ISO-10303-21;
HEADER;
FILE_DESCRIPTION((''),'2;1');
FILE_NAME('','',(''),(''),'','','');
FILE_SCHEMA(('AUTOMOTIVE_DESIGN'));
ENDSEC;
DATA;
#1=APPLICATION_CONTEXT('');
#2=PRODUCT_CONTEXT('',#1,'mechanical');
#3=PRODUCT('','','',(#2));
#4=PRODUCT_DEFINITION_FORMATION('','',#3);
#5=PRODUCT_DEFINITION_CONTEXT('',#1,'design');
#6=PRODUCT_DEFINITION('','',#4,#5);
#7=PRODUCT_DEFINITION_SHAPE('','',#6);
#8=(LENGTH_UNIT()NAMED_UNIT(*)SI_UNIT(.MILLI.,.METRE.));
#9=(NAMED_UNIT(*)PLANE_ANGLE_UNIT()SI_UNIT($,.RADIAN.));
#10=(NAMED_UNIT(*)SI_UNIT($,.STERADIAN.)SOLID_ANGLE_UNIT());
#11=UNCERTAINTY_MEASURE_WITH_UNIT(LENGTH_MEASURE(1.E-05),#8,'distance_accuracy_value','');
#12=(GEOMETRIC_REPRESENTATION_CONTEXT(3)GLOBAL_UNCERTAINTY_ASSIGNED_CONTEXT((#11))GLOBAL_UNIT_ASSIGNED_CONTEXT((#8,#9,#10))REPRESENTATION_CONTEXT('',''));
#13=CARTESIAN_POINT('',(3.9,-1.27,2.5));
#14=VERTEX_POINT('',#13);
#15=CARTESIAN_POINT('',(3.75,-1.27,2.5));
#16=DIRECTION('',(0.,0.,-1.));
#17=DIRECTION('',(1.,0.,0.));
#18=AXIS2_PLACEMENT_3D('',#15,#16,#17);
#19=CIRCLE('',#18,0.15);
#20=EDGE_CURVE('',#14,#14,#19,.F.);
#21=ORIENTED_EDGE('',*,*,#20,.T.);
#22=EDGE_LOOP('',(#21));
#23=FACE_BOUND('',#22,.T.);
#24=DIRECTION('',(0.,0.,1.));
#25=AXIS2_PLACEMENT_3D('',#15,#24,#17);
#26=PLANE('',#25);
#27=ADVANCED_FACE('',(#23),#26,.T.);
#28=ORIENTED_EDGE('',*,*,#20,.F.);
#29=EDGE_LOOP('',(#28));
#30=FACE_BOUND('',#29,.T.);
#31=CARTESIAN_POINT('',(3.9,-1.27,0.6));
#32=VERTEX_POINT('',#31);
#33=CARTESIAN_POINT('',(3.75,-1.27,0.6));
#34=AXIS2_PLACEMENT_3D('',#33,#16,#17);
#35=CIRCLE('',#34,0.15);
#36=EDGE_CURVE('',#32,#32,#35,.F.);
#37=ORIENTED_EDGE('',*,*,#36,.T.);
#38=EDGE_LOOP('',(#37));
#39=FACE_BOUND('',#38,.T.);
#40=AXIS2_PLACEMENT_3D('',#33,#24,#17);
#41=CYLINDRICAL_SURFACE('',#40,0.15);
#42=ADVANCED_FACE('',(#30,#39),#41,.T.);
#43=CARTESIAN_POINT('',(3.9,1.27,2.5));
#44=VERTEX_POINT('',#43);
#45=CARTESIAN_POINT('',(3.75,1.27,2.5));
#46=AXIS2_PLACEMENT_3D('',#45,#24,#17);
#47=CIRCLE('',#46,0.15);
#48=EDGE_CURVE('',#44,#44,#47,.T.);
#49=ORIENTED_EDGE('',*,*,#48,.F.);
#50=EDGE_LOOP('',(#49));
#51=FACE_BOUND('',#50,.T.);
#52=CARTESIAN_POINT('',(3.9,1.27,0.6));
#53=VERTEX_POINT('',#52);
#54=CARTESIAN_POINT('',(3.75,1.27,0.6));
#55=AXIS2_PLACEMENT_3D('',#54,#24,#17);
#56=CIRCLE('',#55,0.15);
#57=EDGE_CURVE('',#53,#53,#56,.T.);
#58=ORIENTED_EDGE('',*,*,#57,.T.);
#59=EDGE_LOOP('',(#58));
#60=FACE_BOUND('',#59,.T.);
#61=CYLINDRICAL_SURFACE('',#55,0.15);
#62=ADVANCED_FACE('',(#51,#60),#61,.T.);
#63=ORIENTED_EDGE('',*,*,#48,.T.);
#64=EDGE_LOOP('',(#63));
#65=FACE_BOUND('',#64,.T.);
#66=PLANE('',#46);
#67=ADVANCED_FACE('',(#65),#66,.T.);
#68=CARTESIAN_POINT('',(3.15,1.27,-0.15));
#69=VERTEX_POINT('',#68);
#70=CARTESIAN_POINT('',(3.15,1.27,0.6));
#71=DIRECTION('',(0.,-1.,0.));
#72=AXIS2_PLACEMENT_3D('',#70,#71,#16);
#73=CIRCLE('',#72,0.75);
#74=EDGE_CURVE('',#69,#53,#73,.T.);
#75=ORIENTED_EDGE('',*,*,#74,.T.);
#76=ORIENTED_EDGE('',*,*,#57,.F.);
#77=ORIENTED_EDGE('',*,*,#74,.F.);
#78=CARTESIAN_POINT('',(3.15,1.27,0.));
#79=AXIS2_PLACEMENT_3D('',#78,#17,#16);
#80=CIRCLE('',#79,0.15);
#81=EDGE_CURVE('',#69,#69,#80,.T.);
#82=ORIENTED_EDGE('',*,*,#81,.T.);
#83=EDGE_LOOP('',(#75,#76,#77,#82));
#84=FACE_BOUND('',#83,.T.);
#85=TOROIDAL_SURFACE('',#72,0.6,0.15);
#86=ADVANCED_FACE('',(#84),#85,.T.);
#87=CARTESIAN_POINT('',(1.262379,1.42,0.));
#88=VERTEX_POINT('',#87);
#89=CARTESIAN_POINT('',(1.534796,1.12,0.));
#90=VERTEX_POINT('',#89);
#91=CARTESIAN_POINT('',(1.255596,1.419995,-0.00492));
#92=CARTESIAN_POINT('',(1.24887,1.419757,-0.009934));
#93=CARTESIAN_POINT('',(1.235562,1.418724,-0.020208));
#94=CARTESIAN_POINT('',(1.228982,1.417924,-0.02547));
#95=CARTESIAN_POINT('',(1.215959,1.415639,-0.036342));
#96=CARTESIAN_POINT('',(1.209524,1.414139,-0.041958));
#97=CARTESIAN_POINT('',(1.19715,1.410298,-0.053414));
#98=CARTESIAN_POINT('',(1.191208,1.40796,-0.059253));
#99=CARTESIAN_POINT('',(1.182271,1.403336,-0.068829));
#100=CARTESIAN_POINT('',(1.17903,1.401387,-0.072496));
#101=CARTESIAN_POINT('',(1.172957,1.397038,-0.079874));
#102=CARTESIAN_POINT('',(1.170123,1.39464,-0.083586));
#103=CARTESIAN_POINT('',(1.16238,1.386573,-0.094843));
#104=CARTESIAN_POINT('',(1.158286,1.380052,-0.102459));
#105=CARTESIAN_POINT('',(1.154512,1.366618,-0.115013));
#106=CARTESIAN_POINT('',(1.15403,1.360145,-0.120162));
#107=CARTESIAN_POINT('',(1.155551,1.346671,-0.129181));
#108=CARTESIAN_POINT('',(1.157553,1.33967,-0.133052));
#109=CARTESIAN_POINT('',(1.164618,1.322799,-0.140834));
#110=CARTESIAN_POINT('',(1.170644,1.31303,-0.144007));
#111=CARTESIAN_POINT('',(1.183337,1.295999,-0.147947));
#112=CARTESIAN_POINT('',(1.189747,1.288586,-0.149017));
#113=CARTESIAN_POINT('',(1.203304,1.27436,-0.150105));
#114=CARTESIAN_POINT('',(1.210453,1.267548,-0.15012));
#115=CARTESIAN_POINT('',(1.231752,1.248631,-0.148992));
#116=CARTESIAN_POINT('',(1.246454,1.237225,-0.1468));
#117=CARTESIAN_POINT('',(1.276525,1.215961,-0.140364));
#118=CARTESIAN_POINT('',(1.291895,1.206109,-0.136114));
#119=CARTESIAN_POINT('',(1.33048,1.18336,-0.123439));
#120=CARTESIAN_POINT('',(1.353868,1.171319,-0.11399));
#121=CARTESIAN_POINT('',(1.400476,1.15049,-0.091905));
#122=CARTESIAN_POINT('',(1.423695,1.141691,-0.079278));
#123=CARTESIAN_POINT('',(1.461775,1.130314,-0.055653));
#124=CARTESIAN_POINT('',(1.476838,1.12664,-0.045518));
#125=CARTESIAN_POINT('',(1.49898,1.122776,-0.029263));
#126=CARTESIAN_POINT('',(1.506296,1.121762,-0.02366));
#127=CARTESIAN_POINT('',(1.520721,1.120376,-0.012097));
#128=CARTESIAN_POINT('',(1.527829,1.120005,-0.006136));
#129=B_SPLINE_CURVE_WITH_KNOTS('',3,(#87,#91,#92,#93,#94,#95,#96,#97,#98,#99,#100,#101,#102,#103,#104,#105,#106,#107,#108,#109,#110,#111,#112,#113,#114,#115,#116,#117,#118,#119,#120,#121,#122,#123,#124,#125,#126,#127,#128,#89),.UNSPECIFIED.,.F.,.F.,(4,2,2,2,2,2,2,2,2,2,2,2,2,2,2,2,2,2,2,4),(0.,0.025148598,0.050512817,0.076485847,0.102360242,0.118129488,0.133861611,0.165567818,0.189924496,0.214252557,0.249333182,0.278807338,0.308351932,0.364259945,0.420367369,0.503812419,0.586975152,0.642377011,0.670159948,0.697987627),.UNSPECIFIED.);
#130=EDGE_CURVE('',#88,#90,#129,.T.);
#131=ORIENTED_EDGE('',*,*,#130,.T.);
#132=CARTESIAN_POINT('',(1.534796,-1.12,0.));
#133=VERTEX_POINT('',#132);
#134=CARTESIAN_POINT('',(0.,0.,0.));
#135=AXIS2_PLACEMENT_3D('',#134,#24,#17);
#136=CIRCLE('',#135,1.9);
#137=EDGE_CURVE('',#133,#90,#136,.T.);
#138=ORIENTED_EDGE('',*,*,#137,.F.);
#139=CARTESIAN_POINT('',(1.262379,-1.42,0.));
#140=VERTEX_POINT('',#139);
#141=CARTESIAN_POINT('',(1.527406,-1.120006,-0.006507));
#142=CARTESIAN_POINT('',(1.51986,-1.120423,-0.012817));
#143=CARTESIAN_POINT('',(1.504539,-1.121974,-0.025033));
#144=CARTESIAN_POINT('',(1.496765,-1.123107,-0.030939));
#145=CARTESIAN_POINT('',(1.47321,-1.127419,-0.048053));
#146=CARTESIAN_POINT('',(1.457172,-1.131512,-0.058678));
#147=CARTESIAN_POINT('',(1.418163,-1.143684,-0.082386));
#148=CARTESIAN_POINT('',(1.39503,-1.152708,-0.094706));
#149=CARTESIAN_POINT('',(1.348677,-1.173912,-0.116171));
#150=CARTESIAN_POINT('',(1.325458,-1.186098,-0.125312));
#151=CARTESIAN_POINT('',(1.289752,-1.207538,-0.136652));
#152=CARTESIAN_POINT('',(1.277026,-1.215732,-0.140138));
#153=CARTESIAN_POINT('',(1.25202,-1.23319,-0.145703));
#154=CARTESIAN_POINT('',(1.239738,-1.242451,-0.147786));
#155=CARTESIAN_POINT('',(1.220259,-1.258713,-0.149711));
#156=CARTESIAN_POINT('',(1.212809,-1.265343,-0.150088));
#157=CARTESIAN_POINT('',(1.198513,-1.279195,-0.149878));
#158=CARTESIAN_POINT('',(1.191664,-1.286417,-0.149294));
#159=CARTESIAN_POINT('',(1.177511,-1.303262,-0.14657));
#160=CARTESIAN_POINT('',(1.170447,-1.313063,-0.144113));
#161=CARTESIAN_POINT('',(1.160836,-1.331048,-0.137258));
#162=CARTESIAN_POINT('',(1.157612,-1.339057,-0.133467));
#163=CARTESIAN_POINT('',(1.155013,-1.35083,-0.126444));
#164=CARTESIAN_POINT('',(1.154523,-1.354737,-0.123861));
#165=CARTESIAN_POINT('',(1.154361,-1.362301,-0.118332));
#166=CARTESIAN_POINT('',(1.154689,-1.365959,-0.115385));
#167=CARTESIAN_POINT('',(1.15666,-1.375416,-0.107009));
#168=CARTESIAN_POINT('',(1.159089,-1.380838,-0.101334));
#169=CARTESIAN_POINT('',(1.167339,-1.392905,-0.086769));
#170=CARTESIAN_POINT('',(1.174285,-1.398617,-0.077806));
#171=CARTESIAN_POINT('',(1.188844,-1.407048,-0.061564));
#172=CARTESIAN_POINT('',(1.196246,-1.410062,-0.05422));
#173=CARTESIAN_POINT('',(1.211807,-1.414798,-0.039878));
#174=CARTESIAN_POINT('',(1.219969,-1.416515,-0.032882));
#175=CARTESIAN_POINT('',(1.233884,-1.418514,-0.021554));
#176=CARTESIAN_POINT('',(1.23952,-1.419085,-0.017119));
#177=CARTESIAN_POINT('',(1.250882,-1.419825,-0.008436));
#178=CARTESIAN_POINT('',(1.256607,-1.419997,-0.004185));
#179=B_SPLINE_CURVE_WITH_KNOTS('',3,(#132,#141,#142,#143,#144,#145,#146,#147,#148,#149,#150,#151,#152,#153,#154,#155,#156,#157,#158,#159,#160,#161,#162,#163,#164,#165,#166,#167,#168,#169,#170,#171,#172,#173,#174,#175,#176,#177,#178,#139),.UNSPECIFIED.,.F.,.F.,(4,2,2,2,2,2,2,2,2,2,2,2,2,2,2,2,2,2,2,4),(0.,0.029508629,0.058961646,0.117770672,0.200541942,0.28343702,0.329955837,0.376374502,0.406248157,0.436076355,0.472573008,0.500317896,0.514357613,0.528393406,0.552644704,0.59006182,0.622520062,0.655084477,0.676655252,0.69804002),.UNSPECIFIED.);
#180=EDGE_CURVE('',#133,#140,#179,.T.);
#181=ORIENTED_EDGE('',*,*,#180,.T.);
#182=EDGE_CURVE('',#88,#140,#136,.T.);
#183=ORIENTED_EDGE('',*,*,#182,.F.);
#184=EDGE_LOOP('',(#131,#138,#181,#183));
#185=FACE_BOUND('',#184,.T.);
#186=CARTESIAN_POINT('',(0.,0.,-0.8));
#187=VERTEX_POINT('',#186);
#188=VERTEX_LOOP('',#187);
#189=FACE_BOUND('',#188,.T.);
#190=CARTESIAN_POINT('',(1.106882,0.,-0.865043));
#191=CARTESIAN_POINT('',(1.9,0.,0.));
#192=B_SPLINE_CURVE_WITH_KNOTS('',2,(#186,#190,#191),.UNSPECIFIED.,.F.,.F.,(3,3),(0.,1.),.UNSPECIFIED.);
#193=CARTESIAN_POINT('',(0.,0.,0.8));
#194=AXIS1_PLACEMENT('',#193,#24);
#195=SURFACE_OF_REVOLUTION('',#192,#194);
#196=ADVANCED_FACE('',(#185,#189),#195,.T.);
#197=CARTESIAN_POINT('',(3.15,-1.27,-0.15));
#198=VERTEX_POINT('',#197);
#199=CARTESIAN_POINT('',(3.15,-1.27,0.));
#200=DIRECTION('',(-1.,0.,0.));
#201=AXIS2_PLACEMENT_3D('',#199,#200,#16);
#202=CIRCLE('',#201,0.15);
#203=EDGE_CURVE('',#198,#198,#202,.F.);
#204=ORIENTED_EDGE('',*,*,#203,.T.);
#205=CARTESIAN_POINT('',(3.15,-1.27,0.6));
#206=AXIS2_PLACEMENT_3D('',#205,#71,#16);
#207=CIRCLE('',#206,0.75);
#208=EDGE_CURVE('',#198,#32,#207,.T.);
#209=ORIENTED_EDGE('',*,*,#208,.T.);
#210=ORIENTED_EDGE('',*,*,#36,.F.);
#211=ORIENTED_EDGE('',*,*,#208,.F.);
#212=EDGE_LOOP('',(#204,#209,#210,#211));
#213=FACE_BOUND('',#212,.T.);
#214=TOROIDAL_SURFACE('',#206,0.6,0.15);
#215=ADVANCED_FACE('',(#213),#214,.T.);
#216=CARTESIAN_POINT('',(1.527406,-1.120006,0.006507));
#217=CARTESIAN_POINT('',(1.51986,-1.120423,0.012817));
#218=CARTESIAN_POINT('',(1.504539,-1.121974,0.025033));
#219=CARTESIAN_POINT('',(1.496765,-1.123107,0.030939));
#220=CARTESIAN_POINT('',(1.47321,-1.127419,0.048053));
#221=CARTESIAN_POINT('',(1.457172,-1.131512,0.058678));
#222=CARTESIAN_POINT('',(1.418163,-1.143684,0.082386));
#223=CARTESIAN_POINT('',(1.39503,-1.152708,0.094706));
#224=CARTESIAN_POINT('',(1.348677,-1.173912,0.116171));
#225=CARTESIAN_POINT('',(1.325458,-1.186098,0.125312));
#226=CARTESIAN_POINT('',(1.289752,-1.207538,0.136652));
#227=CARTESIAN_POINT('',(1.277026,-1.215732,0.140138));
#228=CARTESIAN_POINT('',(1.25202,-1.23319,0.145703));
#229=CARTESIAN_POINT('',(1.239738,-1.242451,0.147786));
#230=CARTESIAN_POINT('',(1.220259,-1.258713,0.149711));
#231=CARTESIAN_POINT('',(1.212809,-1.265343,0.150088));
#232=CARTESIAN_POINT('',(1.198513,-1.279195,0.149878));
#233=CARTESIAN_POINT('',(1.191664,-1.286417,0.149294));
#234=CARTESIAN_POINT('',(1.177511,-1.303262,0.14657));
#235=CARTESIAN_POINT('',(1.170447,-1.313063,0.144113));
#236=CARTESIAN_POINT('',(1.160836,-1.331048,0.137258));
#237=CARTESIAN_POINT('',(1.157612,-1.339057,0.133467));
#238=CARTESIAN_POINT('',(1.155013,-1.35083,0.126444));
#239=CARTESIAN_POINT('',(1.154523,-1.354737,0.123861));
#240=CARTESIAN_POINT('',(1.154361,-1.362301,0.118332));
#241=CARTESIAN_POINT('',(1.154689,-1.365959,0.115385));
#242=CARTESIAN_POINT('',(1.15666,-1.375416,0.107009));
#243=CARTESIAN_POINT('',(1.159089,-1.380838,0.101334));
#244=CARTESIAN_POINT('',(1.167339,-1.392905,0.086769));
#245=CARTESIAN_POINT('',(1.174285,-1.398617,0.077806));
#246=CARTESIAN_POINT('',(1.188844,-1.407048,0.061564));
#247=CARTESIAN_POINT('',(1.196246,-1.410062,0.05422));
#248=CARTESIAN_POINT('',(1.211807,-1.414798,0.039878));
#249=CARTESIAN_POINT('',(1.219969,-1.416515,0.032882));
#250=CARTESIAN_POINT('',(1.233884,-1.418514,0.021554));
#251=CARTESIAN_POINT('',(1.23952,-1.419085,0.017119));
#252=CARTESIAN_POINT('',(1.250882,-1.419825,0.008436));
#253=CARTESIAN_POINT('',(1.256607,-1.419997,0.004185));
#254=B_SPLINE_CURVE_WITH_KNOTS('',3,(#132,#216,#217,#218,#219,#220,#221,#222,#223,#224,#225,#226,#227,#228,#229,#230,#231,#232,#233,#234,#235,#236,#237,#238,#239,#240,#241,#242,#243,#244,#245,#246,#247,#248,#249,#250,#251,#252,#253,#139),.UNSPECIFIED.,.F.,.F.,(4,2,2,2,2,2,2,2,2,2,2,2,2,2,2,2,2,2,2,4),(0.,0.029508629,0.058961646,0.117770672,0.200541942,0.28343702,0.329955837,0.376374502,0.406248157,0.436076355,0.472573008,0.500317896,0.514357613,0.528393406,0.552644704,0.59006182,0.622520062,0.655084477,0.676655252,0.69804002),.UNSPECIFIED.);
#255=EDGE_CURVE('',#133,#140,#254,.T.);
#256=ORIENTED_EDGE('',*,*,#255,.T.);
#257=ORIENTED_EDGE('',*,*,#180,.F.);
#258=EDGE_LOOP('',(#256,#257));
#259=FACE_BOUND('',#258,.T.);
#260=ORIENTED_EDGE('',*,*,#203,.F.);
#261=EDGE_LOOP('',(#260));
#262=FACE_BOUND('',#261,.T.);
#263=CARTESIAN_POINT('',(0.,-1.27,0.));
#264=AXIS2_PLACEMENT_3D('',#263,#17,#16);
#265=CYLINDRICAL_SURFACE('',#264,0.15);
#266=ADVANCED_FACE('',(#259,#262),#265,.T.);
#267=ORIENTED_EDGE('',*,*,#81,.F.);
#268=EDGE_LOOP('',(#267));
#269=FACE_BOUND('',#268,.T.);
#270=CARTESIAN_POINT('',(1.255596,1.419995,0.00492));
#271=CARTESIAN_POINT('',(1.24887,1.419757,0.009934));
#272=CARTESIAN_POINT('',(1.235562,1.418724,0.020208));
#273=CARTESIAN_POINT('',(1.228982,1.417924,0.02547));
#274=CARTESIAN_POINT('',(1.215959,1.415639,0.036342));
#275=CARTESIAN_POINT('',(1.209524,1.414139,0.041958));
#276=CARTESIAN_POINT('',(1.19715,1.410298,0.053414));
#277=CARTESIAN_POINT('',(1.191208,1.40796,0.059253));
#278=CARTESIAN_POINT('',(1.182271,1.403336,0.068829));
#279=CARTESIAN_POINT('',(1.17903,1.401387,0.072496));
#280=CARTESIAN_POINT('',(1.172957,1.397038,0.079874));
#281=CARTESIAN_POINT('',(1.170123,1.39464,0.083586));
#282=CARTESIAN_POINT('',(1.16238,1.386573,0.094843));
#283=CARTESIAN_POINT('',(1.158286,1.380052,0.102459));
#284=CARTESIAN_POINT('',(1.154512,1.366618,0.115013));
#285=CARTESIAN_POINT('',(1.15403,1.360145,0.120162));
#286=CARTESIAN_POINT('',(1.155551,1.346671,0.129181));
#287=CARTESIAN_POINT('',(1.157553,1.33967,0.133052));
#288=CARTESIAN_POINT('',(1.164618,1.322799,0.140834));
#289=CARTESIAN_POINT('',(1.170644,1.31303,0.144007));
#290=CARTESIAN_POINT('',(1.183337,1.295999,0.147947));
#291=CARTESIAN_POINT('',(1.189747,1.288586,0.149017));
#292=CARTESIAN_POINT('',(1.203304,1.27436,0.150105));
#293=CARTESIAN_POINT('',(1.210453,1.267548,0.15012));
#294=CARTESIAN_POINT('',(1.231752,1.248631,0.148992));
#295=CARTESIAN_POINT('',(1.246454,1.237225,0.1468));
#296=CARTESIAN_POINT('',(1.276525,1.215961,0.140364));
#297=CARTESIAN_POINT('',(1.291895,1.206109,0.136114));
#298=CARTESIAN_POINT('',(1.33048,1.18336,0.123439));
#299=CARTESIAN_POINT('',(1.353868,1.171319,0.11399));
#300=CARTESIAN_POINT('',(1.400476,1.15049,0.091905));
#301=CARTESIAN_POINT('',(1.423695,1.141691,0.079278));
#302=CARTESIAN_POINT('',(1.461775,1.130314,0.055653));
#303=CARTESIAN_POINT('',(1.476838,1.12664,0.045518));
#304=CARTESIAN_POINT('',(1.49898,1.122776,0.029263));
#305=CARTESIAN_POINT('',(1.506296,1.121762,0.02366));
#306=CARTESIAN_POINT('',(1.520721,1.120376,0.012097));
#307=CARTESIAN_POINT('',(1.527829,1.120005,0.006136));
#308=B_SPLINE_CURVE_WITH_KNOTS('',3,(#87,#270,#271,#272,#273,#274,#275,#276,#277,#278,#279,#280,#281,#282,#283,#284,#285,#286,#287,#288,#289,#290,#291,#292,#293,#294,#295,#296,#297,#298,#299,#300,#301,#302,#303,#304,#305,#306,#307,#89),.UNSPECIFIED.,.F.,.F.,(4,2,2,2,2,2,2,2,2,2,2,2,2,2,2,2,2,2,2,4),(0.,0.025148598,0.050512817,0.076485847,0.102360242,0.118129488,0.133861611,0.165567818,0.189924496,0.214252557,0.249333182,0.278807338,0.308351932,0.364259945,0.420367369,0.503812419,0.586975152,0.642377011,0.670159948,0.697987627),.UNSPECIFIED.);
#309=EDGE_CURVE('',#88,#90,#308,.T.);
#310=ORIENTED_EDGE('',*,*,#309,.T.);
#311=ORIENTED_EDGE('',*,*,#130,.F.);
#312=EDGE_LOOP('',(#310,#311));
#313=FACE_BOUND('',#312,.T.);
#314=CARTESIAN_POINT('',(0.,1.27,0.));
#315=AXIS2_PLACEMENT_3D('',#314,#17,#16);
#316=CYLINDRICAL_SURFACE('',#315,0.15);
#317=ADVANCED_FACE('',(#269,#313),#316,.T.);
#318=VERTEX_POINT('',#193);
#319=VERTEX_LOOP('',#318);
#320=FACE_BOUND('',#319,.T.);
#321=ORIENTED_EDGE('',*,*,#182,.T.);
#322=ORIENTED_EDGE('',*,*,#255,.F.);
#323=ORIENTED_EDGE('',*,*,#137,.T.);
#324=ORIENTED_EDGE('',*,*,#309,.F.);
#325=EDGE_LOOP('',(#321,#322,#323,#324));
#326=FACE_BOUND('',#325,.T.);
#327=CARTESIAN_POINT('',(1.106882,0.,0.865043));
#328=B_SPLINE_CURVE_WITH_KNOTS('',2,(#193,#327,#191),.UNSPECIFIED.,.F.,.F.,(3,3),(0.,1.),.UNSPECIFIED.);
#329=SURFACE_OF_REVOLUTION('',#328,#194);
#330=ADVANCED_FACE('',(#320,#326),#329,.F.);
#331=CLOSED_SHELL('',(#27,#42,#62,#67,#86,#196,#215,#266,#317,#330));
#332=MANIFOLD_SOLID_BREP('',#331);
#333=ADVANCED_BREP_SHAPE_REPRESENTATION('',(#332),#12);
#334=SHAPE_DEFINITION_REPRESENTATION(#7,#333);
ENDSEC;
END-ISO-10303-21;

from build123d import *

# Parameters (mm, degrees)
SKETCH4_R = 0.15


with BuildPart() as part:
    # Sketch3 → Revolve1 (revolve)
    with BuildSketch(Plane(origin=(0, 0, 0), x_dir=(1, 0, 0), z_dir=(0, 1, 0))):
        with BuildLine():
            Line((1.9, 0), (0, 0))
            Line((0, 0), (0, -0.8))
            add(Edge.make_bspline(
                [(0, -0.8), (1.106882422, -0.865042619), (1.9, 0)],
                knots=[0, 0, 0, 1, 1, 1], degree=2))
        make_face()
        with BuildLine():
            Line((0, 0.8), (0, 0))
            Line((0, 0), (1.9, 0))
            add(Edge.make_bspline(
                [(0, 0.8), (1.106882422, 0.865042619), (1.9, 0)],
                knots=[0, 0, 0, 1, 1, 1], degree=2))
        make_face()
    revolve(axis=Axis((0, 0, 0.8), (0, 0, -1)))

    # Sweep1: sweep along a path in Sketch5
    with BuildLine(Plane(origin=(0, 1.27, 0), x_dir=(1, 0, 0), z_dir=(0, 1, 0))) as sweep1_path:
        Line((0, 0), (3.15, 0))
        ThreePointArc((3.15, 0), (3.574264069, -0.175735931), (3.75, -0.6))
        Line((3.75, -0.6), (3.75, -2.5))
    # Sketch4 → Sweep1 (sweep)
    with BuildSketch(Plane(origin=(0, 0, 0), x_dir=(0, 0, -1), z_dir=(1, 0, 0))):
        with Locations((0, 1.27)):
            Circle(SKETCH4_R)
    sweep1 = sweep(path=sweep1_path.line)

    # Mirror1: Sweep1 across plane
    add(sweep1.mirror(Plane.ZX))


solid = part.part
